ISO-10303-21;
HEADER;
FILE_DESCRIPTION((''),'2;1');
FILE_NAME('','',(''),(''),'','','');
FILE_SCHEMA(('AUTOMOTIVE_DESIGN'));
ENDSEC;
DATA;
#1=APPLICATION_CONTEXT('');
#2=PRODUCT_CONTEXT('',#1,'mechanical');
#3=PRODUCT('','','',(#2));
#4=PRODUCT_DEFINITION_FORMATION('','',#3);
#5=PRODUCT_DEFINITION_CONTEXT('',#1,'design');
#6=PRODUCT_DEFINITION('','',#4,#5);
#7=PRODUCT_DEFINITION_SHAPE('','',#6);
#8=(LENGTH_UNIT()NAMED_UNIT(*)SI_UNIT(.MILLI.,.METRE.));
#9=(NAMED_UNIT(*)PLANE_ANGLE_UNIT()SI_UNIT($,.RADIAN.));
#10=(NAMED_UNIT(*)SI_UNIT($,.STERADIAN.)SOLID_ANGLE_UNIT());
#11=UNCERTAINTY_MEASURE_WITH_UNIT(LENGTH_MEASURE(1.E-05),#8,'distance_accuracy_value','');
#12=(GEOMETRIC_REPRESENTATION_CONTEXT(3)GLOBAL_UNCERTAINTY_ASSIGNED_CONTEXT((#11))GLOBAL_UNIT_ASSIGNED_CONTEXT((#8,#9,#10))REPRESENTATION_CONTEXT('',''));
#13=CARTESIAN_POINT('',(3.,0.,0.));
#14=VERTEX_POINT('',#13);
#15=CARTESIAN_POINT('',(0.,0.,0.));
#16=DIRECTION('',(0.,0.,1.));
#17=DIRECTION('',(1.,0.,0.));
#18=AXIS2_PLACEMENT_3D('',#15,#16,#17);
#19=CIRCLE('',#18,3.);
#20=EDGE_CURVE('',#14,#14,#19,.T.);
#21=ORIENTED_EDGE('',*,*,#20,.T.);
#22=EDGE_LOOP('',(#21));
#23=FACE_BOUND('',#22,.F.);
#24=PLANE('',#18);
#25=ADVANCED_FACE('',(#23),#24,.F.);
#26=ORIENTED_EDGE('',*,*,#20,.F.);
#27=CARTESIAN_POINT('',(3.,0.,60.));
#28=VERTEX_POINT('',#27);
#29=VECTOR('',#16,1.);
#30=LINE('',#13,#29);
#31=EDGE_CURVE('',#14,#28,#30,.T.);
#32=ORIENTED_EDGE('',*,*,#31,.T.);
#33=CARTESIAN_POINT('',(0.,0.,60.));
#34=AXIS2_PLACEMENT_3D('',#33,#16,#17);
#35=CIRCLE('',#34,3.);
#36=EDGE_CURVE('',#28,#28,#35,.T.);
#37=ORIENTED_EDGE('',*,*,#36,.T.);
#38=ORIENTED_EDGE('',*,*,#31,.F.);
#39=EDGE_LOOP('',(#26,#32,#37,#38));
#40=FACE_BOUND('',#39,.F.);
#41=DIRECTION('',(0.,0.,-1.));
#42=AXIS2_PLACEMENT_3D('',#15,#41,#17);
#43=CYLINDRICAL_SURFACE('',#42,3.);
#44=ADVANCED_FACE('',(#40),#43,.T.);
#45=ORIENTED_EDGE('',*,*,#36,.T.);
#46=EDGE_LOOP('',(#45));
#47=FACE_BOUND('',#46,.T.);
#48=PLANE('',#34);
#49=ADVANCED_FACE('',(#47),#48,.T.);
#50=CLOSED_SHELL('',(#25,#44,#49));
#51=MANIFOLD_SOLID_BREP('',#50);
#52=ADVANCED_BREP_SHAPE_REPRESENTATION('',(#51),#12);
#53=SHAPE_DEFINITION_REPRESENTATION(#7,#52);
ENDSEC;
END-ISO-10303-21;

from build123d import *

# Parameters (mm, degrees)
SKETCH_1_R      = 3
EXTRUDE_1_DEPTH = 60


with BuildPart() as part:
    # 草图1 → 凸台-拉伸1 (new body)
    with BuildSketch(Plane.XY):
        Circle(SKETCH_1_R)
    extrude(amount=EXTRUDE_1_DEPTH)


solid = part.part
